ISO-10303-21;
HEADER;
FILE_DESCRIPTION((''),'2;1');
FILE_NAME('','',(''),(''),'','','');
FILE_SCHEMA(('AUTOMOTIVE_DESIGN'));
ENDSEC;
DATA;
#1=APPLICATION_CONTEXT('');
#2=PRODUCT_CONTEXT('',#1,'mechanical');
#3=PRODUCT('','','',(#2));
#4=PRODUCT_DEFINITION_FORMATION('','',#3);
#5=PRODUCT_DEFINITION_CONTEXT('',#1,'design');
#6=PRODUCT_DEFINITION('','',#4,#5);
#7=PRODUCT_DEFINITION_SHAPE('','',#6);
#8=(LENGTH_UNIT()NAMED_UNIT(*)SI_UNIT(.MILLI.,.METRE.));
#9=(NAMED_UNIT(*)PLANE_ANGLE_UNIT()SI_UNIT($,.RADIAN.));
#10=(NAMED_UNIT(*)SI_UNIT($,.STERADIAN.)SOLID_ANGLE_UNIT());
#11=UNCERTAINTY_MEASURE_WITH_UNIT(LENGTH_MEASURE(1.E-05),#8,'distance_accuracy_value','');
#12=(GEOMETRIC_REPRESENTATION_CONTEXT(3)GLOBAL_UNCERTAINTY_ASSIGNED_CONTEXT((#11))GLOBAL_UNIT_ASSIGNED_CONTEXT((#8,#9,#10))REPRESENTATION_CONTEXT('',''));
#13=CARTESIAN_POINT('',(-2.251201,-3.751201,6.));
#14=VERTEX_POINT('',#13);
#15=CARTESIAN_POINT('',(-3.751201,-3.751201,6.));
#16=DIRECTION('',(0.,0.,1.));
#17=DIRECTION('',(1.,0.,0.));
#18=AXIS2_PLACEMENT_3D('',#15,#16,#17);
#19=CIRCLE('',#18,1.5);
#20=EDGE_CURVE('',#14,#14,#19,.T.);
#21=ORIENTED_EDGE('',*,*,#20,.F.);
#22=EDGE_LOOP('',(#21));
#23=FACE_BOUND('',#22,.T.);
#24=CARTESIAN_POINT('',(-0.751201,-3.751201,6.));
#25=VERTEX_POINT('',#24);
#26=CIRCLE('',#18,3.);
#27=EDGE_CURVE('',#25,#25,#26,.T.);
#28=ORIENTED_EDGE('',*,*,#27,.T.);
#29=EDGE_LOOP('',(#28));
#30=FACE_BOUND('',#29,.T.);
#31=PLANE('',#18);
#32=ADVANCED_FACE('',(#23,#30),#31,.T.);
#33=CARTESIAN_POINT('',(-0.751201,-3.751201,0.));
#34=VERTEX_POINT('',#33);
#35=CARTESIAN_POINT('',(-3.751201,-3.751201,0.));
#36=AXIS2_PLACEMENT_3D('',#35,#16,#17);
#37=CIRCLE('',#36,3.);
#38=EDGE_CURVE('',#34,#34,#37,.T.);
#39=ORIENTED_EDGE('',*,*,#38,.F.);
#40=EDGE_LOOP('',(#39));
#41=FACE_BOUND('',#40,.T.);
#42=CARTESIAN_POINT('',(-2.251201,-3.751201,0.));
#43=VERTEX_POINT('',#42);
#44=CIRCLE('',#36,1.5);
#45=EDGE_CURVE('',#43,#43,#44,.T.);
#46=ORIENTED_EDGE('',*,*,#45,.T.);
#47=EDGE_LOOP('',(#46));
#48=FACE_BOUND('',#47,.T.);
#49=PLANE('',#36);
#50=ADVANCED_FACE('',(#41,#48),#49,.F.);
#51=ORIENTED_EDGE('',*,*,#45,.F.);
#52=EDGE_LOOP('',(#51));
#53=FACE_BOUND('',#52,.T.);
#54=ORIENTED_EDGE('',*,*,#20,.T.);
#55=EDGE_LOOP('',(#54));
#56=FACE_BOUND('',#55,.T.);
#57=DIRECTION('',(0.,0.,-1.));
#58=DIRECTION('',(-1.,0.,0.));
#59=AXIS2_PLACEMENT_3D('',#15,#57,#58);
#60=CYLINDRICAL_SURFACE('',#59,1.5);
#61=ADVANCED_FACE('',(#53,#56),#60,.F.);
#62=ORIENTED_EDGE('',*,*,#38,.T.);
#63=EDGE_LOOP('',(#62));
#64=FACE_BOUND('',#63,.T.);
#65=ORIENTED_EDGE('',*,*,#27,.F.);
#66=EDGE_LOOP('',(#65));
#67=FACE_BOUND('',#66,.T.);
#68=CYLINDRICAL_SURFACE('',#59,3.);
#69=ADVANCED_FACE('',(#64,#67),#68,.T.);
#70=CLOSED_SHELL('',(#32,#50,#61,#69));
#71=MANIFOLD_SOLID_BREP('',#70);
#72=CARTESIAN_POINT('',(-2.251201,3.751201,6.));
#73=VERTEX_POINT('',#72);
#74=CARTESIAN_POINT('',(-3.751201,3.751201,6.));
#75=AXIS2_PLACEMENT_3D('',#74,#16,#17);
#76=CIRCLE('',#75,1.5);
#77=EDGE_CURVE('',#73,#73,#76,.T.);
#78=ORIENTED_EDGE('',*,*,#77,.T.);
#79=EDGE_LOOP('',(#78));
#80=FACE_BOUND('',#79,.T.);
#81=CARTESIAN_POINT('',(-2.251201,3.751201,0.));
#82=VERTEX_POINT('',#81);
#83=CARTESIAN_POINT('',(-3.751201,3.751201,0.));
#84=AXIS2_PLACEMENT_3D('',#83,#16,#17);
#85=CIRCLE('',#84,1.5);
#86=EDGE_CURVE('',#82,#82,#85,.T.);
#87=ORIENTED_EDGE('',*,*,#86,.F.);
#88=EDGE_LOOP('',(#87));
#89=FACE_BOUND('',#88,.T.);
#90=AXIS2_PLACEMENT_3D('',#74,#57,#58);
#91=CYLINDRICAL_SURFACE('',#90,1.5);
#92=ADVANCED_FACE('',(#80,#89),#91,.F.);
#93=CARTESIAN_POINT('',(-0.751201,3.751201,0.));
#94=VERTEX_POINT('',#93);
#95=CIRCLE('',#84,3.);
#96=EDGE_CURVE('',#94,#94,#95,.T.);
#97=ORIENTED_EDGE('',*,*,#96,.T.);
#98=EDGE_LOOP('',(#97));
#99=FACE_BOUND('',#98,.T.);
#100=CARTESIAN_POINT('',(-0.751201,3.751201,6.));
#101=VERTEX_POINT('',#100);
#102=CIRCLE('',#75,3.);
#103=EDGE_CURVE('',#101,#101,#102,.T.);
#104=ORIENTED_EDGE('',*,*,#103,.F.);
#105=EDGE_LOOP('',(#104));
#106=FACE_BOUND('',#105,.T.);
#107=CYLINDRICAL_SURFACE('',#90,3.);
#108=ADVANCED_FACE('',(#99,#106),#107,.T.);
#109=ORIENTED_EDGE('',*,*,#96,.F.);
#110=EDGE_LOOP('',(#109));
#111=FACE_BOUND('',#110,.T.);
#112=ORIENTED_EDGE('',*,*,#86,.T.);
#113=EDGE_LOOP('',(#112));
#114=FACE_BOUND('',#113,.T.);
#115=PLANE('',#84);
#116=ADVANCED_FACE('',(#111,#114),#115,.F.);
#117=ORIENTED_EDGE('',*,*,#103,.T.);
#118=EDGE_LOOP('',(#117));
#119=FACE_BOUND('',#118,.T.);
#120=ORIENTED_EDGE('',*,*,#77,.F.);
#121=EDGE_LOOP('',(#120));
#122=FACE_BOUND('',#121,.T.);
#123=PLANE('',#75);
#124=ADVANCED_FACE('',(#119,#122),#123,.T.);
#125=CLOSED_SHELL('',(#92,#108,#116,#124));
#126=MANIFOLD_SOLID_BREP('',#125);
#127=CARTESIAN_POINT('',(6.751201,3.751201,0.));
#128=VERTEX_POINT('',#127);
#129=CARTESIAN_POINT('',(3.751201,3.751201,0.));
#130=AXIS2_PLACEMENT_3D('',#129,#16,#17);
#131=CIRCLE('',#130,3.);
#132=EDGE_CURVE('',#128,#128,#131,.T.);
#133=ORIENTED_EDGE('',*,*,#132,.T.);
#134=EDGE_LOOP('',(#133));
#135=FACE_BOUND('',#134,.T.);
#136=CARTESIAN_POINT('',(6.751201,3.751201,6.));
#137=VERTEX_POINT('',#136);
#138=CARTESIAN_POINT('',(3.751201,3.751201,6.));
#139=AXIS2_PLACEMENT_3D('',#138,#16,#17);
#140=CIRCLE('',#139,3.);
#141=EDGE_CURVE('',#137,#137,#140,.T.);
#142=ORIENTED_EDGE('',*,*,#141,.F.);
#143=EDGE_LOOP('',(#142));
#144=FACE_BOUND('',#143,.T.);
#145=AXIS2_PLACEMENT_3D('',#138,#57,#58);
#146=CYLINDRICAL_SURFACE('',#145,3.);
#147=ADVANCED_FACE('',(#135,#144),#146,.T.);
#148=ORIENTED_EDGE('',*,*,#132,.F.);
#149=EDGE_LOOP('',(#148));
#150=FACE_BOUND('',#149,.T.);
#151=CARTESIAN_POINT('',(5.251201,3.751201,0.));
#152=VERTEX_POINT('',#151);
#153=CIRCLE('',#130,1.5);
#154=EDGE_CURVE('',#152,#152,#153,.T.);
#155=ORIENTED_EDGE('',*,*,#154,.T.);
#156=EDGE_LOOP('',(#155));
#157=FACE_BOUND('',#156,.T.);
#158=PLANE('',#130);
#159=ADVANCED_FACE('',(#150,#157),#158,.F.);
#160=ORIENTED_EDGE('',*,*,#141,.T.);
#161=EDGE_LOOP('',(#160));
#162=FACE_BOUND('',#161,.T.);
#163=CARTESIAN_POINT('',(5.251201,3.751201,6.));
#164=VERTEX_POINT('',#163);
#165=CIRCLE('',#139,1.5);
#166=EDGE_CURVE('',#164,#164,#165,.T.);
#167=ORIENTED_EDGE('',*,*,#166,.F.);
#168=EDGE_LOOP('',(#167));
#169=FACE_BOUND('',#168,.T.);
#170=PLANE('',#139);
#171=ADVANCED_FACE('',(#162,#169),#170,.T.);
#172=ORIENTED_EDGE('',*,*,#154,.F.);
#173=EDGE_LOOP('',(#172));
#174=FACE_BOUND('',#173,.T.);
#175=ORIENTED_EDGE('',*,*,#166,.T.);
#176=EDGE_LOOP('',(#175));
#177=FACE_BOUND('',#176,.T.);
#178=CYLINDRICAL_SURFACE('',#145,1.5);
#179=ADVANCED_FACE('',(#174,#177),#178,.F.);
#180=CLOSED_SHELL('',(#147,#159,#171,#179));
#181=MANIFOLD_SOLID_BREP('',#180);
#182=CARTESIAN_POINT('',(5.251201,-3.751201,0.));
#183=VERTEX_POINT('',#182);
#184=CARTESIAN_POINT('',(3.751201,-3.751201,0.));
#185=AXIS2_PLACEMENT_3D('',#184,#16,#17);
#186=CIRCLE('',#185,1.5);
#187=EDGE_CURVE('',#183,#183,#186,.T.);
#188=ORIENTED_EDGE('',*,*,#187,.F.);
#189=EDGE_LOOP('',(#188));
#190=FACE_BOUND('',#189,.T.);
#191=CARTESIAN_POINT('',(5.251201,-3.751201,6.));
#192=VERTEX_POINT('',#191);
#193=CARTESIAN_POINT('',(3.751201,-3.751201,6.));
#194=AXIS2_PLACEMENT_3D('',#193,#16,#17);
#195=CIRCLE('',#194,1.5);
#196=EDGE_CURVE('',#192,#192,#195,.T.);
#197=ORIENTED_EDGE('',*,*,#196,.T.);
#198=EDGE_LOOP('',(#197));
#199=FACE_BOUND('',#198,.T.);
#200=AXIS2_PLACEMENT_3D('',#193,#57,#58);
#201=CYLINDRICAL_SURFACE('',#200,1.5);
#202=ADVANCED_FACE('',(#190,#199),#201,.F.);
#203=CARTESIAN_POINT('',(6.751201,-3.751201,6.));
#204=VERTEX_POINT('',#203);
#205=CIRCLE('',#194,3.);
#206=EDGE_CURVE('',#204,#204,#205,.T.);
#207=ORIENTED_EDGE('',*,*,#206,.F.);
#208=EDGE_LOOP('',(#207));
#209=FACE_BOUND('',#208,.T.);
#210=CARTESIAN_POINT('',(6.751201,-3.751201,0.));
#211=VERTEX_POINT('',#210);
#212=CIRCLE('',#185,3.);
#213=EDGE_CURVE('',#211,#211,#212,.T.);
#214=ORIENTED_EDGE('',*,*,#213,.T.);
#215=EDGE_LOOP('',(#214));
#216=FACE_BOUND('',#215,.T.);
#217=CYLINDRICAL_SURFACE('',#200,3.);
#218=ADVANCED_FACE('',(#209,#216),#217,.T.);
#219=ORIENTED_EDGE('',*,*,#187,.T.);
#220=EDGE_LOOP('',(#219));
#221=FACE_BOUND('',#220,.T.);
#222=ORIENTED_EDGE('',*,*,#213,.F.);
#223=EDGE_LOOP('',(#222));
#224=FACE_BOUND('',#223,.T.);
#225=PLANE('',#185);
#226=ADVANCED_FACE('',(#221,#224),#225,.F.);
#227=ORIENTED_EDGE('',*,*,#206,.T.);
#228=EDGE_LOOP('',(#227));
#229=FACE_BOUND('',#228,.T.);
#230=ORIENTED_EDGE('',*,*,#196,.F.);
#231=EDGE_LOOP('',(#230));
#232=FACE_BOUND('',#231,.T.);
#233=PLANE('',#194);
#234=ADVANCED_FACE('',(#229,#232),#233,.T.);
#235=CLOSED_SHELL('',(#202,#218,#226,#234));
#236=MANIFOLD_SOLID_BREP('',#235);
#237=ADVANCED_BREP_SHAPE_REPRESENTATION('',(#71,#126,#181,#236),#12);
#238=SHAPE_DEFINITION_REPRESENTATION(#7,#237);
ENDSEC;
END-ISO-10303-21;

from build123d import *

# Parameters (mm, degrees)
SKETCH2_R             = 3
SKETCH2_R_2           = 1.5
BOSS_EXTRUDE1_DEPTH   = 6
BOSS_EXTRUDE1_2_DEPTH = 6
BOSS_EXTRUDE1_3_DEPTH = 6
BOSS_EXTRUDE1_4_DEPTH = 6


with BuildPart() as part:
    # Sketch2 → Boss-Extrude1 (new body)
    with BuildSketch(Plane.XY):
        with Locations((-3.751201474, 3.751201474)):
            Circle(SKETCH2_R)
        with Locations((-3.751201474, 3.751201474)):
            Circle(SKETCH2_R_2, mode=Mode.SUBTRACT)
    extrude(amount=BOSS_EXTRUDE1_DEPTH)


with BuildPart() as body_2:
    # Sketch2 → Boss-Extrude1 2 (new body)
    with BuildSketch(Plane.XY):
        with Locations((3.751201474, 3.751201474)):
            Circle(SKETCH2_R)
        with Locations((3.751201474, 3.751201474)):
            Circle(SKETCH2_R_2, mode=Mode.SUBTRACT)
    extrude(amount=BOSS_EXTRUDE1_2_DEPTH)


with BuildPart() as body_3:
    # Sketch2 → Boss-Extrude1 3 (new body)
    with BuildSketch(Plane.XY):
        with Locations((3.751201474, -3.751201474)):
            Circle(SKETCH2_R)
        with Locations((3.751201474, -3.751201474)):
            Circle(SKETCH2_R_2, mode=Mode.SUBTRACT)
    extrude(amount=BOSS_EXTRUDE1_3_DEPTH)


with BuildPart() as body_4:
    # Sketch2 → Boss-Extrude1 4 (new body)
    with BuildSketch(Plane.XY):
        with Locations((-3.751201474, -3.751201474)):
            Circle(SKETCH2_R)
        with Locations((-3.751201474, -3.751201474)):
            Circle(SKETCH2_R_2, mode=Mode.SUBTRACT)
    extrude(amount=BOSS_EXTRUDE1_4_DEPTH)


solid = Compound([part.part, body_2.part, body_3.part, body_4.part])
